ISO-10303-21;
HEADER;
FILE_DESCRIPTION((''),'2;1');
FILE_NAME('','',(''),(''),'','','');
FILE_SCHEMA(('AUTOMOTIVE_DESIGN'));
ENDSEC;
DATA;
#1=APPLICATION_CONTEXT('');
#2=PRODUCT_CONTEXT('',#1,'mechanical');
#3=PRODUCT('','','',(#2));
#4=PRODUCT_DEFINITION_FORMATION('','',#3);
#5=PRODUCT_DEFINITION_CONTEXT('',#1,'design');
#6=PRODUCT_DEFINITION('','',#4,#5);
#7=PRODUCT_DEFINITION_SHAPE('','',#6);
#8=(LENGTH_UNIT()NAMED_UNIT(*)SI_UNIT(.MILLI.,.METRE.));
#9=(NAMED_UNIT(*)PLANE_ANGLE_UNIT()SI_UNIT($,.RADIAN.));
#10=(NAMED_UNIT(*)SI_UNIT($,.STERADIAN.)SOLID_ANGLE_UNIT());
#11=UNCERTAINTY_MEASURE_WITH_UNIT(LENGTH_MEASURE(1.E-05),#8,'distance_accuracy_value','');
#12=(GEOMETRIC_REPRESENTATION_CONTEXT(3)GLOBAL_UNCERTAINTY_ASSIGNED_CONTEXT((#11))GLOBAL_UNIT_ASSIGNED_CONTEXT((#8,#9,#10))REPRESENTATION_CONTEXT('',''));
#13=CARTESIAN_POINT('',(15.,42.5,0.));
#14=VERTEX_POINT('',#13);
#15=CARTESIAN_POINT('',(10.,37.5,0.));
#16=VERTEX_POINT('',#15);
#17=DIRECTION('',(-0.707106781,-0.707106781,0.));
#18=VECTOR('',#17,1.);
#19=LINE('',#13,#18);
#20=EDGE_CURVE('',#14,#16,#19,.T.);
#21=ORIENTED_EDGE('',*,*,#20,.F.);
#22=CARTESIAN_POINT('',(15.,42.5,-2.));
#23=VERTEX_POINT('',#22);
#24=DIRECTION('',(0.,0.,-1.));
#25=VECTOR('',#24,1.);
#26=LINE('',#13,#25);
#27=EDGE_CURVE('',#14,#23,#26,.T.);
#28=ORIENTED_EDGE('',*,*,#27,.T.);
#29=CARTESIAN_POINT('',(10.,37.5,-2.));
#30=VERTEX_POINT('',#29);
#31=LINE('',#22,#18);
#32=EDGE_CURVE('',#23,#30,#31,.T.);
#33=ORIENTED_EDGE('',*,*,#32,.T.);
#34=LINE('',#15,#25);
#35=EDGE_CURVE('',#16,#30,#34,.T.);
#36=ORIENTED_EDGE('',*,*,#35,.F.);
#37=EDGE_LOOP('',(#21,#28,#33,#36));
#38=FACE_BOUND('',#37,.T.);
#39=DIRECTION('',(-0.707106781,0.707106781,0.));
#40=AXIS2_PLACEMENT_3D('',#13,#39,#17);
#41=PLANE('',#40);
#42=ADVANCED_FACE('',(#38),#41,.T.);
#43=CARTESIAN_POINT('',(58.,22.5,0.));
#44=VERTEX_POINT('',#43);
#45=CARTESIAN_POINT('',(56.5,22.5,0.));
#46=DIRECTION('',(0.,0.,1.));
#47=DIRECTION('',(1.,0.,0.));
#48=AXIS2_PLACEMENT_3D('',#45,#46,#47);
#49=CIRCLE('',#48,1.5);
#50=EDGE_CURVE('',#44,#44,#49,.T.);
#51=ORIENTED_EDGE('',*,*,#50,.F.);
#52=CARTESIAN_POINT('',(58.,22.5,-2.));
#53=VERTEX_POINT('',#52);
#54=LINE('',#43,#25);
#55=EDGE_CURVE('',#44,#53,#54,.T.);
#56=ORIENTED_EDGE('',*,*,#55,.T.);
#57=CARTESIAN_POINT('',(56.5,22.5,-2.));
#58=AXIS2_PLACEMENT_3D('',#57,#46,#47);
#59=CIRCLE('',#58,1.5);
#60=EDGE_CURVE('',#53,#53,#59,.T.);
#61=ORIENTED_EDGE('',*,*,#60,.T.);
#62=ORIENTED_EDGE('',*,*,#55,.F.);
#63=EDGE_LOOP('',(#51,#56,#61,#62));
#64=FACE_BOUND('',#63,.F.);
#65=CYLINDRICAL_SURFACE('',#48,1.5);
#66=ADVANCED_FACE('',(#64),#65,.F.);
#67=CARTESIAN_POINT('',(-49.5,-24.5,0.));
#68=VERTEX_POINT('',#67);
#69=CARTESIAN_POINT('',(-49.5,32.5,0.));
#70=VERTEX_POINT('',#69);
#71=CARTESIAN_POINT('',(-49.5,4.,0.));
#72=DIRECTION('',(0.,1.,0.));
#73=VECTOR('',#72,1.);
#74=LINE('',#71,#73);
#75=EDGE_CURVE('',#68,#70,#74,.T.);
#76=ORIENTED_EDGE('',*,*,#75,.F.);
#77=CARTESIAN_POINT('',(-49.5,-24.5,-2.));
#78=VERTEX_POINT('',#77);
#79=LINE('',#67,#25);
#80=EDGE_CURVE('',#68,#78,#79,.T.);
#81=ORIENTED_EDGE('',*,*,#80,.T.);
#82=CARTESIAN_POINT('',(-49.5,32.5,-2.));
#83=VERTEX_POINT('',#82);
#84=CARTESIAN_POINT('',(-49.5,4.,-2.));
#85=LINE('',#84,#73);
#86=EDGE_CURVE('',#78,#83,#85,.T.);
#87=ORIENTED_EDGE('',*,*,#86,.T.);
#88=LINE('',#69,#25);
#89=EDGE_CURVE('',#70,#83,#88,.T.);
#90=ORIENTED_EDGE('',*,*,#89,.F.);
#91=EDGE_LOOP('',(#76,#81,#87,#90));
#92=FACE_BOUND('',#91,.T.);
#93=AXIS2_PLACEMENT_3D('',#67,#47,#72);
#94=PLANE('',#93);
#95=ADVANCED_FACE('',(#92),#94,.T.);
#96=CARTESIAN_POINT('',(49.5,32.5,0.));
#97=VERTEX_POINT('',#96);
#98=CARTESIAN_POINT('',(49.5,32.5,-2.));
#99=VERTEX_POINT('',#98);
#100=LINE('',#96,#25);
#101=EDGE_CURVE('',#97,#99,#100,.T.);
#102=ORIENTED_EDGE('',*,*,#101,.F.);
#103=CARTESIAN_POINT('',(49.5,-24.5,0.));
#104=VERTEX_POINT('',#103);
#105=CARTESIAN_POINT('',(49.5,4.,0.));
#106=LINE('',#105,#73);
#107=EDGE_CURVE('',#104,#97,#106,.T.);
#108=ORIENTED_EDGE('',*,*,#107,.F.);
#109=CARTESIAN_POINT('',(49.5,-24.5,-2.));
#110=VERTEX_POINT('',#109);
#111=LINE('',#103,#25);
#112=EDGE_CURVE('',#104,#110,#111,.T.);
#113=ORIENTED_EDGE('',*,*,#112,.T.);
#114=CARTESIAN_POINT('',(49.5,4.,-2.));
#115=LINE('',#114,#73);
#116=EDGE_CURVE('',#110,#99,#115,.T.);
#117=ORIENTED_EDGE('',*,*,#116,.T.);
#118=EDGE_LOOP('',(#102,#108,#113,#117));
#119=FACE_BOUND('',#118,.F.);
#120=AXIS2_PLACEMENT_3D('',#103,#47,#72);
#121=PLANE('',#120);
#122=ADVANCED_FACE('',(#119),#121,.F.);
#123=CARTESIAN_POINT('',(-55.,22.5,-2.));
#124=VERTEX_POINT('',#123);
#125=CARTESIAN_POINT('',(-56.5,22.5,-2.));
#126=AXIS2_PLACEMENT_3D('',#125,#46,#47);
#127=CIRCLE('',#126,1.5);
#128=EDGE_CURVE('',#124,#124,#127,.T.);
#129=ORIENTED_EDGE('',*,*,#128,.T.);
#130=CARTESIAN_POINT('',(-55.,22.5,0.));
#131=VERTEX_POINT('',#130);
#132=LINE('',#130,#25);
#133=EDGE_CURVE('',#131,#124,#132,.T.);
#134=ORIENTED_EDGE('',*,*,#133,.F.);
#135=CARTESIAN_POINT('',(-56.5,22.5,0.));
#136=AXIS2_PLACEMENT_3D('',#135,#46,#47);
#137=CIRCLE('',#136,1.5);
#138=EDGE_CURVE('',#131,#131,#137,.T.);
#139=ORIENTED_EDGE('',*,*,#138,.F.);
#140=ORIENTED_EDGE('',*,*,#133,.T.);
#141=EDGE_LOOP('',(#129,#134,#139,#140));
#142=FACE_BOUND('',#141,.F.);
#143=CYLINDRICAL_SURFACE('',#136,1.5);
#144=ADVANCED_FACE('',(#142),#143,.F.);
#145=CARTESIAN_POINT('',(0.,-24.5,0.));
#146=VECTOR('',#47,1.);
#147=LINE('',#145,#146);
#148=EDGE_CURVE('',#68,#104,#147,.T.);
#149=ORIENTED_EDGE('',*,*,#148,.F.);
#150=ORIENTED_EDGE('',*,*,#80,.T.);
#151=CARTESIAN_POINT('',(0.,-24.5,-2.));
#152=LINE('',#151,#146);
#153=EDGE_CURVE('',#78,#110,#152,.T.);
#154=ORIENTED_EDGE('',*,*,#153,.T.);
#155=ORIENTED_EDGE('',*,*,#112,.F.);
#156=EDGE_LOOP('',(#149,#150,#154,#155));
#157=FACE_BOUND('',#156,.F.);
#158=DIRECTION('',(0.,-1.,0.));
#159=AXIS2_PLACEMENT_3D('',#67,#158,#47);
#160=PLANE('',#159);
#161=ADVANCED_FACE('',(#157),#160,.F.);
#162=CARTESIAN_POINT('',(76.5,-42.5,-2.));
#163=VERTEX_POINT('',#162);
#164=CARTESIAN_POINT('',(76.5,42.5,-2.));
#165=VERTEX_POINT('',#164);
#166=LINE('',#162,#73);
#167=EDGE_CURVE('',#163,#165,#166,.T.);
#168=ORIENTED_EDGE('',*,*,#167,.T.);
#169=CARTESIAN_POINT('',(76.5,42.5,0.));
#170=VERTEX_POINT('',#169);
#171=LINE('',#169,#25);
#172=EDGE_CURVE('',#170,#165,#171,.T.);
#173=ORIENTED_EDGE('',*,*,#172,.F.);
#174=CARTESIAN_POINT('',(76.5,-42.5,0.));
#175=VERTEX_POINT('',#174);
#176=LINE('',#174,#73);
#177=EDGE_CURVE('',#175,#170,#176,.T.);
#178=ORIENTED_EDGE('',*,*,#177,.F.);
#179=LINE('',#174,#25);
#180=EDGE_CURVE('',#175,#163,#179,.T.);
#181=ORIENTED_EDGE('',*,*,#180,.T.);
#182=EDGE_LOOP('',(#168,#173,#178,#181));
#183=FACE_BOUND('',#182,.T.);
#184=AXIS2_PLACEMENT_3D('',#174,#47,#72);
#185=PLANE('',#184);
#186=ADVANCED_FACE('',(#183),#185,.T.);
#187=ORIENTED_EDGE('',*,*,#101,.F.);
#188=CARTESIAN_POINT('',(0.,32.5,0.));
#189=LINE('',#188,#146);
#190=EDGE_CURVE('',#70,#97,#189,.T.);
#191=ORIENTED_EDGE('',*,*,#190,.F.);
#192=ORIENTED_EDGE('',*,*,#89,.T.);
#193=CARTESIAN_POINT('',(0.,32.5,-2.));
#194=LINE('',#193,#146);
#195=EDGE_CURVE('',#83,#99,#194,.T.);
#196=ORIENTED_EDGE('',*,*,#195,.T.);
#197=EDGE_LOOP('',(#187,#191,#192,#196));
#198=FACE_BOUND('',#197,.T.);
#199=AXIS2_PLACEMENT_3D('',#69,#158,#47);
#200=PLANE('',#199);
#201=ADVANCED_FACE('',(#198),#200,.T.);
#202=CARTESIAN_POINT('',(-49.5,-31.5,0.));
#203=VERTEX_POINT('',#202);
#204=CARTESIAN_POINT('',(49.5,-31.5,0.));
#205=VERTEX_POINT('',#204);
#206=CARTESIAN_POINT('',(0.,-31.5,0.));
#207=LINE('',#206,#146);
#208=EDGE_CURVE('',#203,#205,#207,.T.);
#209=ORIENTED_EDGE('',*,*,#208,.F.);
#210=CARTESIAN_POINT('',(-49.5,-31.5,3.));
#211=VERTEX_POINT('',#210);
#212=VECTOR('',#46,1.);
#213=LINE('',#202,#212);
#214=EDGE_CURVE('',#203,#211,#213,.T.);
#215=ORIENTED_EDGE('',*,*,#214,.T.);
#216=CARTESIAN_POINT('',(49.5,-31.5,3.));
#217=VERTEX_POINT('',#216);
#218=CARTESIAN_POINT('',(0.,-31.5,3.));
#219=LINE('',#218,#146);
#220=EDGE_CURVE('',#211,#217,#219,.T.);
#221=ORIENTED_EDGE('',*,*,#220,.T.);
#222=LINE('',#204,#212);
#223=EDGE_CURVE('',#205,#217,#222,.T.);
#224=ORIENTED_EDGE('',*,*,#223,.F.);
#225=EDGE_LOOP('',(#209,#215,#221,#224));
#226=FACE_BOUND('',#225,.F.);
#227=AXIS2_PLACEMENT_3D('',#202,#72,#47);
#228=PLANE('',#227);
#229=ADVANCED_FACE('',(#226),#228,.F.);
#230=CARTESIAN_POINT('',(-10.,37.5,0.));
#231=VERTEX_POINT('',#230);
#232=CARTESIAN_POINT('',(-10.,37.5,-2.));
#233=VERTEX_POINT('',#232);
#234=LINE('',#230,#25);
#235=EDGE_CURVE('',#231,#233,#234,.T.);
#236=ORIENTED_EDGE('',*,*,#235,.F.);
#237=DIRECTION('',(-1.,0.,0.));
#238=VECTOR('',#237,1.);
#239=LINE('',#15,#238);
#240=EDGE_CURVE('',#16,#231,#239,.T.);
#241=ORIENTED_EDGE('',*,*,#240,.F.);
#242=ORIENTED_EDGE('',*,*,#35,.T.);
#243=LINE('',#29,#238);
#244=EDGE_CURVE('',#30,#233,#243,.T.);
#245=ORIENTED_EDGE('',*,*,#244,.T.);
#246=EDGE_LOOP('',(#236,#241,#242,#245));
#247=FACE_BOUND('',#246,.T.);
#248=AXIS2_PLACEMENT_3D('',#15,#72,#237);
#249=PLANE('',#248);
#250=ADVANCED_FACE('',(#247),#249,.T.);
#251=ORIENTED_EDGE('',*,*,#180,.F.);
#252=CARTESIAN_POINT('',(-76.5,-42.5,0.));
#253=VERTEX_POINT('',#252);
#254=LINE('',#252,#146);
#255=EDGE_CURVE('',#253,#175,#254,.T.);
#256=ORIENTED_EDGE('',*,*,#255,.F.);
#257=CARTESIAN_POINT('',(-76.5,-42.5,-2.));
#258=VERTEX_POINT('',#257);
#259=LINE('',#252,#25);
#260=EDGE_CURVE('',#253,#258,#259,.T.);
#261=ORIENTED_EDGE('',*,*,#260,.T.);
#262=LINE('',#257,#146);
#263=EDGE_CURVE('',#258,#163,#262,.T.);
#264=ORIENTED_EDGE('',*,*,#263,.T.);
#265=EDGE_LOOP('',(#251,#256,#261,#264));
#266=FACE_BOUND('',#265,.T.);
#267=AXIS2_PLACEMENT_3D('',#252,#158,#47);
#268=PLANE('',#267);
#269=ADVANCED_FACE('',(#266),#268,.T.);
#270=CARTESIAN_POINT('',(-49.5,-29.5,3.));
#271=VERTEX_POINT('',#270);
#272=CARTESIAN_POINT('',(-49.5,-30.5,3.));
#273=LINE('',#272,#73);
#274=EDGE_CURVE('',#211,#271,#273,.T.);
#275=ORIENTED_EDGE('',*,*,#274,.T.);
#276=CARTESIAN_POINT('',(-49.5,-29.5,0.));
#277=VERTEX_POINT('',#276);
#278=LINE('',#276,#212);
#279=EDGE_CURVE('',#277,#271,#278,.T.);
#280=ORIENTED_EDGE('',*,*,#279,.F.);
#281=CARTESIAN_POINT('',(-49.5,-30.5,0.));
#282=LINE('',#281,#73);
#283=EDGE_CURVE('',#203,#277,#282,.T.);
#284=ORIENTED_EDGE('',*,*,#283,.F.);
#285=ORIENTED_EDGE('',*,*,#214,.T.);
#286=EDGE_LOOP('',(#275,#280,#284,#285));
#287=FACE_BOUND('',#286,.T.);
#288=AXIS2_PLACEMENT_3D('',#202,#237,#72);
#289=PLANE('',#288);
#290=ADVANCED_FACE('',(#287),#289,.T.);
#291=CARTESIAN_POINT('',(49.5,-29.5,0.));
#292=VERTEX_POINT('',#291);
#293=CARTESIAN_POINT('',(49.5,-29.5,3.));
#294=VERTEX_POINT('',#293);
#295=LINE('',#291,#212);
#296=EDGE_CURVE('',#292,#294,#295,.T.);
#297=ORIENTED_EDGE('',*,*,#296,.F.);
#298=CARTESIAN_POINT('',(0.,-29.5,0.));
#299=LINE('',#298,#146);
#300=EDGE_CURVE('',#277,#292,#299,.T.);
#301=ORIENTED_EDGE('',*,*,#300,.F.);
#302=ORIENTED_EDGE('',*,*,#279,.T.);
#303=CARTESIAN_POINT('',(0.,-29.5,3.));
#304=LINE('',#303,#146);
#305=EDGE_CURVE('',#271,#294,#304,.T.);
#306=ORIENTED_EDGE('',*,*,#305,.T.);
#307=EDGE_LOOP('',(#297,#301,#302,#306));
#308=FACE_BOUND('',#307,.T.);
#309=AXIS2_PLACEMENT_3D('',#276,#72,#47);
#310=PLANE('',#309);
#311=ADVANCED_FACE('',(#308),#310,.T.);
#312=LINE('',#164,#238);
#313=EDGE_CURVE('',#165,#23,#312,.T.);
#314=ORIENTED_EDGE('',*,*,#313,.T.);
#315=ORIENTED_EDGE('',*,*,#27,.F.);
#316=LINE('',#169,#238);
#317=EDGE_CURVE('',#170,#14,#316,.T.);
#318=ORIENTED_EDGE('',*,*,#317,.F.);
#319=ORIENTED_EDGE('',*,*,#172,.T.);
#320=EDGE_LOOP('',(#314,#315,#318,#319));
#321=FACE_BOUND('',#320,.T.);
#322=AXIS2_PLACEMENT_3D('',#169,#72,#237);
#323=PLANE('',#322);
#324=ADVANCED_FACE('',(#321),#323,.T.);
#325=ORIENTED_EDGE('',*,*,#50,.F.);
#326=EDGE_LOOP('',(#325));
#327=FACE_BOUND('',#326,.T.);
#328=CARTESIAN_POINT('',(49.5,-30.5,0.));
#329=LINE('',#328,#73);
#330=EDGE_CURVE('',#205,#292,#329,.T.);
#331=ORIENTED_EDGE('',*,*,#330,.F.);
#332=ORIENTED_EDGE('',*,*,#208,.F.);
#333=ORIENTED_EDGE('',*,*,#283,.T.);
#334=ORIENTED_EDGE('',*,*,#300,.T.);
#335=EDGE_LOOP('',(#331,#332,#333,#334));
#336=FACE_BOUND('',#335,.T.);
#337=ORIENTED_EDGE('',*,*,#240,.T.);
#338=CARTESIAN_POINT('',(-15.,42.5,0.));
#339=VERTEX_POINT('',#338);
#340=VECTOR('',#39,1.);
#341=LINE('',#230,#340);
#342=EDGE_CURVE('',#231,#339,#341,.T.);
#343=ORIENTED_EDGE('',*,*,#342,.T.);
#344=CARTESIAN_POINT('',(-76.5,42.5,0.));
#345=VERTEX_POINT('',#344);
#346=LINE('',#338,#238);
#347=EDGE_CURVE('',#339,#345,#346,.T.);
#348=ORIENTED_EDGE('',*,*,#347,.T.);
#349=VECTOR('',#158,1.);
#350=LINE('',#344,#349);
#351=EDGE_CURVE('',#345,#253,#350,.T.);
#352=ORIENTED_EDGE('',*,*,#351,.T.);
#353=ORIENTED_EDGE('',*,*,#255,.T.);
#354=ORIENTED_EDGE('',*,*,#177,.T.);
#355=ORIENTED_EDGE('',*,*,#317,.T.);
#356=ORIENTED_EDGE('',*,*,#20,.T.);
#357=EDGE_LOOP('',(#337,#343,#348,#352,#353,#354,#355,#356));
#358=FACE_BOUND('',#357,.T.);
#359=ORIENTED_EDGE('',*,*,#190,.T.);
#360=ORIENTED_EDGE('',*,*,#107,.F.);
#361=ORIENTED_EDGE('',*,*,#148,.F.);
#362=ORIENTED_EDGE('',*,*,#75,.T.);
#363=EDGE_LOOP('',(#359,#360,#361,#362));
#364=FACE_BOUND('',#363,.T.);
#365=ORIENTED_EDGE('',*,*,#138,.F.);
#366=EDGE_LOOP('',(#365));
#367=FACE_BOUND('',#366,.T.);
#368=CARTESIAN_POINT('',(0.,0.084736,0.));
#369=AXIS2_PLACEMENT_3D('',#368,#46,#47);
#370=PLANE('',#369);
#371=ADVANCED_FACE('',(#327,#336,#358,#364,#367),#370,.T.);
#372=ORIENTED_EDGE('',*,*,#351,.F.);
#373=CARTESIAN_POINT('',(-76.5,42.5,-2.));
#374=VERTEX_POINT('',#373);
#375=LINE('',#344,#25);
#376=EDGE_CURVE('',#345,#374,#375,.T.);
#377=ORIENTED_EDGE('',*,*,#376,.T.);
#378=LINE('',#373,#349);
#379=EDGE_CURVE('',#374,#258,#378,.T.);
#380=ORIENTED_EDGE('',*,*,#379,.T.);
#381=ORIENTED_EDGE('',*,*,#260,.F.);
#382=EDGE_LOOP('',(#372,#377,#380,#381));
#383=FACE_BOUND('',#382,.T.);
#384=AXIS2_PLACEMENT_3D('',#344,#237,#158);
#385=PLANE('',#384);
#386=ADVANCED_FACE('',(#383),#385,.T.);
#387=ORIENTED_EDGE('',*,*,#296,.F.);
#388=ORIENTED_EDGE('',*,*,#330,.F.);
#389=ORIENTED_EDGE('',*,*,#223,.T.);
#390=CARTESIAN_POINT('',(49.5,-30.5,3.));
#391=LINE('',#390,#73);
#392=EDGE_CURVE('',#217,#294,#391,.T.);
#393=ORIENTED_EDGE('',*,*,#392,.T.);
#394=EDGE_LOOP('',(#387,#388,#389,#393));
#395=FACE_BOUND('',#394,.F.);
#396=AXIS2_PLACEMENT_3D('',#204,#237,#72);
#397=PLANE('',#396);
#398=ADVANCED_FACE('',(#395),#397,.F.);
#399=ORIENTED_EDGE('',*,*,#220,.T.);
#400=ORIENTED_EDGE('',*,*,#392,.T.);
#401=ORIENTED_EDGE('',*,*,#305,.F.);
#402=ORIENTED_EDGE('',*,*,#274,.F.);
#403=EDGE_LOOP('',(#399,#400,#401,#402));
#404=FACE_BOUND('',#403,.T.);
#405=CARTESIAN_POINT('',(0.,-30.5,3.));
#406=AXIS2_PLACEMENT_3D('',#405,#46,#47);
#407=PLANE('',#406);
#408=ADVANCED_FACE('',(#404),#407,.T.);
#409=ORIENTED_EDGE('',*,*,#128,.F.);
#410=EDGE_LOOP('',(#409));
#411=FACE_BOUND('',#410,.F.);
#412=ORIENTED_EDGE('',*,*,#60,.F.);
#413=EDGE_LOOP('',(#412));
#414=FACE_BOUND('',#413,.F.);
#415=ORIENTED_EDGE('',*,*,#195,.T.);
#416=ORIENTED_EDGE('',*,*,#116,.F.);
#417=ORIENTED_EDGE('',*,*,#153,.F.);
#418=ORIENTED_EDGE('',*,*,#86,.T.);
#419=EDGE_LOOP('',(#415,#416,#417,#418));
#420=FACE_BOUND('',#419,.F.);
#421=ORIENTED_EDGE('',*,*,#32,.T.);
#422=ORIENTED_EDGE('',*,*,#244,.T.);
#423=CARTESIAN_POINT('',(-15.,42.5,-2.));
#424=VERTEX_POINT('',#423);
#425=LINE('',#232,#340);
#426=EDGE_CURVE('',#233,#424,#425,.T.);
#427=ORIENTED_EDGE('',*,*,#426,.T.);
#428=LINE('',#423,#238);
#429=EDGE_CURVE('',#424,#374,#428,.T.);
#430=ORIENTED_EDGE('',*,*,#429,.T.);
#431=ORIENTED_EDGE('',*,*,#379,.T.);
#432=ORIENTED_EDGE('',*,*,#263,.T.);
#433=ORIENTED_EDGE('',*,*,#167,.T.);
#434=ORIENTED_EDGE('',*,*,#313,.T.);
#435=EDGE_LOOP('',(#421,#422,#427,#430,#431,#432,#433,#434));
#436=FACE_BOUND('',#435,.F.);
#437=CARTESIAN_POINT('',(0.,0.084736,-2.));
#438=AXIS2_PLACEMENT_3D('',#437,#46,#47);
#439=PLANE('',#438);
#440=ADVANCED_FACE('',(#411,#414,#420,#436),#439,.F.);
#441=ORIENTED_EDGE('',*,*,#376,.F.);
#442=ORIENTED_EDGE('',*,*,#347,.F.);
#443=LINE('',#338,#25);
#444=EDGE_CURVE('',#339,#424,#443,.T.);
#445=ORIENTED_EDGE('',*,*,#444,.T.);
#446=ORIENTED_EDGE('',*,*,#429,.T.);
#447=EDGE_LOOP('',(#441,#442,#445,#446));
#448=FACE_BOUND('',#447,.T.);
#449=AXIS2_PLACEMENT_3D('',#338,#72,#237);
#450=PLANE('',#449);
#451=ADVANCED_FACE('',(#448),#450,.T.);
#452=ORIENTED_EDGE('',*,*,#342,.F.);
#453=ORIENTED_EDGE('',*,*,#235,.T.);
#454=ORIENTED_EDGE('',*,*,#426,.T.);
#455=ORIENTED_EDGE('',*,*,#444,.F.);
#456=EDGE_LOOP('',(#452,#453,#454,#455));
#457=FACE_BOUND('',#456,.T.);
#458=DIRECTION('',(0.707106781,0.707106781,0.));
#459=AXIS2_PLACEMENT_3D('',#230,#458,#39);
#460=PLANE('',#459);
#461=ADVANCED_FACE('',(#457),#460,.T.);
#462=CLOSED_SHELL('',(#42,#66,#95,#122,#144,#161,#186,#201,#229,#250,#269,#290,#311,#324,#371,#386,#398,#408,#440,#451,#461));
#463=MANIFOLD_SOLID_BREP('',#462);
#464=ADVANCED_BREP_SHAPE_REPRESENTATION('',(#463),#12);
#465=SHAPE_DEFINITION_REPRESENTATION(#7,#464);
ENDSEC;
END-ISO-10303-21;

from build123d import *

# Parameters (mm, degrees)
F0_R     = 1.5
F0_W     = 99
F0_H     = 57
F1_DEPTH = 2
F2_W     = 99
F2_H     = 2
F3_DEPTH = 3


with BuildPart() as f1:
    # F0 (on Top) → F1 (new body)
    with BuildSketch(Plane.XY):
        Polygon((-15, 42.5), (-76.5, 42.5), (-76.5, -42.5), (76.5, -42.5), (76.5, 42.5), (15, 42.5), (10, 37.5), (-10, 37.5), align=None)
        with Locations((-56.5, 22.5)):
            Circle(F0_R, mode=Mode.SUBTRACT)
        with Locations((0, 4)):
            Rectangle(F0_W, F0_H, mode=Mode.SUBTRACT)
        with Locations((56.5, 22.5)):
            Circle(F0_R, mode=Mode.SUBTRACT)
    extrude(amount=-F1_DEPTH)

    # F2 (on face) → F3 (join)
    with BuildSketch(Plane.XY):
        with Locations((0, -30.5)):
            Rectangle(F2_W, F2_H)
    extrude(amount=F3_DEPTH)


solid = f1.part
